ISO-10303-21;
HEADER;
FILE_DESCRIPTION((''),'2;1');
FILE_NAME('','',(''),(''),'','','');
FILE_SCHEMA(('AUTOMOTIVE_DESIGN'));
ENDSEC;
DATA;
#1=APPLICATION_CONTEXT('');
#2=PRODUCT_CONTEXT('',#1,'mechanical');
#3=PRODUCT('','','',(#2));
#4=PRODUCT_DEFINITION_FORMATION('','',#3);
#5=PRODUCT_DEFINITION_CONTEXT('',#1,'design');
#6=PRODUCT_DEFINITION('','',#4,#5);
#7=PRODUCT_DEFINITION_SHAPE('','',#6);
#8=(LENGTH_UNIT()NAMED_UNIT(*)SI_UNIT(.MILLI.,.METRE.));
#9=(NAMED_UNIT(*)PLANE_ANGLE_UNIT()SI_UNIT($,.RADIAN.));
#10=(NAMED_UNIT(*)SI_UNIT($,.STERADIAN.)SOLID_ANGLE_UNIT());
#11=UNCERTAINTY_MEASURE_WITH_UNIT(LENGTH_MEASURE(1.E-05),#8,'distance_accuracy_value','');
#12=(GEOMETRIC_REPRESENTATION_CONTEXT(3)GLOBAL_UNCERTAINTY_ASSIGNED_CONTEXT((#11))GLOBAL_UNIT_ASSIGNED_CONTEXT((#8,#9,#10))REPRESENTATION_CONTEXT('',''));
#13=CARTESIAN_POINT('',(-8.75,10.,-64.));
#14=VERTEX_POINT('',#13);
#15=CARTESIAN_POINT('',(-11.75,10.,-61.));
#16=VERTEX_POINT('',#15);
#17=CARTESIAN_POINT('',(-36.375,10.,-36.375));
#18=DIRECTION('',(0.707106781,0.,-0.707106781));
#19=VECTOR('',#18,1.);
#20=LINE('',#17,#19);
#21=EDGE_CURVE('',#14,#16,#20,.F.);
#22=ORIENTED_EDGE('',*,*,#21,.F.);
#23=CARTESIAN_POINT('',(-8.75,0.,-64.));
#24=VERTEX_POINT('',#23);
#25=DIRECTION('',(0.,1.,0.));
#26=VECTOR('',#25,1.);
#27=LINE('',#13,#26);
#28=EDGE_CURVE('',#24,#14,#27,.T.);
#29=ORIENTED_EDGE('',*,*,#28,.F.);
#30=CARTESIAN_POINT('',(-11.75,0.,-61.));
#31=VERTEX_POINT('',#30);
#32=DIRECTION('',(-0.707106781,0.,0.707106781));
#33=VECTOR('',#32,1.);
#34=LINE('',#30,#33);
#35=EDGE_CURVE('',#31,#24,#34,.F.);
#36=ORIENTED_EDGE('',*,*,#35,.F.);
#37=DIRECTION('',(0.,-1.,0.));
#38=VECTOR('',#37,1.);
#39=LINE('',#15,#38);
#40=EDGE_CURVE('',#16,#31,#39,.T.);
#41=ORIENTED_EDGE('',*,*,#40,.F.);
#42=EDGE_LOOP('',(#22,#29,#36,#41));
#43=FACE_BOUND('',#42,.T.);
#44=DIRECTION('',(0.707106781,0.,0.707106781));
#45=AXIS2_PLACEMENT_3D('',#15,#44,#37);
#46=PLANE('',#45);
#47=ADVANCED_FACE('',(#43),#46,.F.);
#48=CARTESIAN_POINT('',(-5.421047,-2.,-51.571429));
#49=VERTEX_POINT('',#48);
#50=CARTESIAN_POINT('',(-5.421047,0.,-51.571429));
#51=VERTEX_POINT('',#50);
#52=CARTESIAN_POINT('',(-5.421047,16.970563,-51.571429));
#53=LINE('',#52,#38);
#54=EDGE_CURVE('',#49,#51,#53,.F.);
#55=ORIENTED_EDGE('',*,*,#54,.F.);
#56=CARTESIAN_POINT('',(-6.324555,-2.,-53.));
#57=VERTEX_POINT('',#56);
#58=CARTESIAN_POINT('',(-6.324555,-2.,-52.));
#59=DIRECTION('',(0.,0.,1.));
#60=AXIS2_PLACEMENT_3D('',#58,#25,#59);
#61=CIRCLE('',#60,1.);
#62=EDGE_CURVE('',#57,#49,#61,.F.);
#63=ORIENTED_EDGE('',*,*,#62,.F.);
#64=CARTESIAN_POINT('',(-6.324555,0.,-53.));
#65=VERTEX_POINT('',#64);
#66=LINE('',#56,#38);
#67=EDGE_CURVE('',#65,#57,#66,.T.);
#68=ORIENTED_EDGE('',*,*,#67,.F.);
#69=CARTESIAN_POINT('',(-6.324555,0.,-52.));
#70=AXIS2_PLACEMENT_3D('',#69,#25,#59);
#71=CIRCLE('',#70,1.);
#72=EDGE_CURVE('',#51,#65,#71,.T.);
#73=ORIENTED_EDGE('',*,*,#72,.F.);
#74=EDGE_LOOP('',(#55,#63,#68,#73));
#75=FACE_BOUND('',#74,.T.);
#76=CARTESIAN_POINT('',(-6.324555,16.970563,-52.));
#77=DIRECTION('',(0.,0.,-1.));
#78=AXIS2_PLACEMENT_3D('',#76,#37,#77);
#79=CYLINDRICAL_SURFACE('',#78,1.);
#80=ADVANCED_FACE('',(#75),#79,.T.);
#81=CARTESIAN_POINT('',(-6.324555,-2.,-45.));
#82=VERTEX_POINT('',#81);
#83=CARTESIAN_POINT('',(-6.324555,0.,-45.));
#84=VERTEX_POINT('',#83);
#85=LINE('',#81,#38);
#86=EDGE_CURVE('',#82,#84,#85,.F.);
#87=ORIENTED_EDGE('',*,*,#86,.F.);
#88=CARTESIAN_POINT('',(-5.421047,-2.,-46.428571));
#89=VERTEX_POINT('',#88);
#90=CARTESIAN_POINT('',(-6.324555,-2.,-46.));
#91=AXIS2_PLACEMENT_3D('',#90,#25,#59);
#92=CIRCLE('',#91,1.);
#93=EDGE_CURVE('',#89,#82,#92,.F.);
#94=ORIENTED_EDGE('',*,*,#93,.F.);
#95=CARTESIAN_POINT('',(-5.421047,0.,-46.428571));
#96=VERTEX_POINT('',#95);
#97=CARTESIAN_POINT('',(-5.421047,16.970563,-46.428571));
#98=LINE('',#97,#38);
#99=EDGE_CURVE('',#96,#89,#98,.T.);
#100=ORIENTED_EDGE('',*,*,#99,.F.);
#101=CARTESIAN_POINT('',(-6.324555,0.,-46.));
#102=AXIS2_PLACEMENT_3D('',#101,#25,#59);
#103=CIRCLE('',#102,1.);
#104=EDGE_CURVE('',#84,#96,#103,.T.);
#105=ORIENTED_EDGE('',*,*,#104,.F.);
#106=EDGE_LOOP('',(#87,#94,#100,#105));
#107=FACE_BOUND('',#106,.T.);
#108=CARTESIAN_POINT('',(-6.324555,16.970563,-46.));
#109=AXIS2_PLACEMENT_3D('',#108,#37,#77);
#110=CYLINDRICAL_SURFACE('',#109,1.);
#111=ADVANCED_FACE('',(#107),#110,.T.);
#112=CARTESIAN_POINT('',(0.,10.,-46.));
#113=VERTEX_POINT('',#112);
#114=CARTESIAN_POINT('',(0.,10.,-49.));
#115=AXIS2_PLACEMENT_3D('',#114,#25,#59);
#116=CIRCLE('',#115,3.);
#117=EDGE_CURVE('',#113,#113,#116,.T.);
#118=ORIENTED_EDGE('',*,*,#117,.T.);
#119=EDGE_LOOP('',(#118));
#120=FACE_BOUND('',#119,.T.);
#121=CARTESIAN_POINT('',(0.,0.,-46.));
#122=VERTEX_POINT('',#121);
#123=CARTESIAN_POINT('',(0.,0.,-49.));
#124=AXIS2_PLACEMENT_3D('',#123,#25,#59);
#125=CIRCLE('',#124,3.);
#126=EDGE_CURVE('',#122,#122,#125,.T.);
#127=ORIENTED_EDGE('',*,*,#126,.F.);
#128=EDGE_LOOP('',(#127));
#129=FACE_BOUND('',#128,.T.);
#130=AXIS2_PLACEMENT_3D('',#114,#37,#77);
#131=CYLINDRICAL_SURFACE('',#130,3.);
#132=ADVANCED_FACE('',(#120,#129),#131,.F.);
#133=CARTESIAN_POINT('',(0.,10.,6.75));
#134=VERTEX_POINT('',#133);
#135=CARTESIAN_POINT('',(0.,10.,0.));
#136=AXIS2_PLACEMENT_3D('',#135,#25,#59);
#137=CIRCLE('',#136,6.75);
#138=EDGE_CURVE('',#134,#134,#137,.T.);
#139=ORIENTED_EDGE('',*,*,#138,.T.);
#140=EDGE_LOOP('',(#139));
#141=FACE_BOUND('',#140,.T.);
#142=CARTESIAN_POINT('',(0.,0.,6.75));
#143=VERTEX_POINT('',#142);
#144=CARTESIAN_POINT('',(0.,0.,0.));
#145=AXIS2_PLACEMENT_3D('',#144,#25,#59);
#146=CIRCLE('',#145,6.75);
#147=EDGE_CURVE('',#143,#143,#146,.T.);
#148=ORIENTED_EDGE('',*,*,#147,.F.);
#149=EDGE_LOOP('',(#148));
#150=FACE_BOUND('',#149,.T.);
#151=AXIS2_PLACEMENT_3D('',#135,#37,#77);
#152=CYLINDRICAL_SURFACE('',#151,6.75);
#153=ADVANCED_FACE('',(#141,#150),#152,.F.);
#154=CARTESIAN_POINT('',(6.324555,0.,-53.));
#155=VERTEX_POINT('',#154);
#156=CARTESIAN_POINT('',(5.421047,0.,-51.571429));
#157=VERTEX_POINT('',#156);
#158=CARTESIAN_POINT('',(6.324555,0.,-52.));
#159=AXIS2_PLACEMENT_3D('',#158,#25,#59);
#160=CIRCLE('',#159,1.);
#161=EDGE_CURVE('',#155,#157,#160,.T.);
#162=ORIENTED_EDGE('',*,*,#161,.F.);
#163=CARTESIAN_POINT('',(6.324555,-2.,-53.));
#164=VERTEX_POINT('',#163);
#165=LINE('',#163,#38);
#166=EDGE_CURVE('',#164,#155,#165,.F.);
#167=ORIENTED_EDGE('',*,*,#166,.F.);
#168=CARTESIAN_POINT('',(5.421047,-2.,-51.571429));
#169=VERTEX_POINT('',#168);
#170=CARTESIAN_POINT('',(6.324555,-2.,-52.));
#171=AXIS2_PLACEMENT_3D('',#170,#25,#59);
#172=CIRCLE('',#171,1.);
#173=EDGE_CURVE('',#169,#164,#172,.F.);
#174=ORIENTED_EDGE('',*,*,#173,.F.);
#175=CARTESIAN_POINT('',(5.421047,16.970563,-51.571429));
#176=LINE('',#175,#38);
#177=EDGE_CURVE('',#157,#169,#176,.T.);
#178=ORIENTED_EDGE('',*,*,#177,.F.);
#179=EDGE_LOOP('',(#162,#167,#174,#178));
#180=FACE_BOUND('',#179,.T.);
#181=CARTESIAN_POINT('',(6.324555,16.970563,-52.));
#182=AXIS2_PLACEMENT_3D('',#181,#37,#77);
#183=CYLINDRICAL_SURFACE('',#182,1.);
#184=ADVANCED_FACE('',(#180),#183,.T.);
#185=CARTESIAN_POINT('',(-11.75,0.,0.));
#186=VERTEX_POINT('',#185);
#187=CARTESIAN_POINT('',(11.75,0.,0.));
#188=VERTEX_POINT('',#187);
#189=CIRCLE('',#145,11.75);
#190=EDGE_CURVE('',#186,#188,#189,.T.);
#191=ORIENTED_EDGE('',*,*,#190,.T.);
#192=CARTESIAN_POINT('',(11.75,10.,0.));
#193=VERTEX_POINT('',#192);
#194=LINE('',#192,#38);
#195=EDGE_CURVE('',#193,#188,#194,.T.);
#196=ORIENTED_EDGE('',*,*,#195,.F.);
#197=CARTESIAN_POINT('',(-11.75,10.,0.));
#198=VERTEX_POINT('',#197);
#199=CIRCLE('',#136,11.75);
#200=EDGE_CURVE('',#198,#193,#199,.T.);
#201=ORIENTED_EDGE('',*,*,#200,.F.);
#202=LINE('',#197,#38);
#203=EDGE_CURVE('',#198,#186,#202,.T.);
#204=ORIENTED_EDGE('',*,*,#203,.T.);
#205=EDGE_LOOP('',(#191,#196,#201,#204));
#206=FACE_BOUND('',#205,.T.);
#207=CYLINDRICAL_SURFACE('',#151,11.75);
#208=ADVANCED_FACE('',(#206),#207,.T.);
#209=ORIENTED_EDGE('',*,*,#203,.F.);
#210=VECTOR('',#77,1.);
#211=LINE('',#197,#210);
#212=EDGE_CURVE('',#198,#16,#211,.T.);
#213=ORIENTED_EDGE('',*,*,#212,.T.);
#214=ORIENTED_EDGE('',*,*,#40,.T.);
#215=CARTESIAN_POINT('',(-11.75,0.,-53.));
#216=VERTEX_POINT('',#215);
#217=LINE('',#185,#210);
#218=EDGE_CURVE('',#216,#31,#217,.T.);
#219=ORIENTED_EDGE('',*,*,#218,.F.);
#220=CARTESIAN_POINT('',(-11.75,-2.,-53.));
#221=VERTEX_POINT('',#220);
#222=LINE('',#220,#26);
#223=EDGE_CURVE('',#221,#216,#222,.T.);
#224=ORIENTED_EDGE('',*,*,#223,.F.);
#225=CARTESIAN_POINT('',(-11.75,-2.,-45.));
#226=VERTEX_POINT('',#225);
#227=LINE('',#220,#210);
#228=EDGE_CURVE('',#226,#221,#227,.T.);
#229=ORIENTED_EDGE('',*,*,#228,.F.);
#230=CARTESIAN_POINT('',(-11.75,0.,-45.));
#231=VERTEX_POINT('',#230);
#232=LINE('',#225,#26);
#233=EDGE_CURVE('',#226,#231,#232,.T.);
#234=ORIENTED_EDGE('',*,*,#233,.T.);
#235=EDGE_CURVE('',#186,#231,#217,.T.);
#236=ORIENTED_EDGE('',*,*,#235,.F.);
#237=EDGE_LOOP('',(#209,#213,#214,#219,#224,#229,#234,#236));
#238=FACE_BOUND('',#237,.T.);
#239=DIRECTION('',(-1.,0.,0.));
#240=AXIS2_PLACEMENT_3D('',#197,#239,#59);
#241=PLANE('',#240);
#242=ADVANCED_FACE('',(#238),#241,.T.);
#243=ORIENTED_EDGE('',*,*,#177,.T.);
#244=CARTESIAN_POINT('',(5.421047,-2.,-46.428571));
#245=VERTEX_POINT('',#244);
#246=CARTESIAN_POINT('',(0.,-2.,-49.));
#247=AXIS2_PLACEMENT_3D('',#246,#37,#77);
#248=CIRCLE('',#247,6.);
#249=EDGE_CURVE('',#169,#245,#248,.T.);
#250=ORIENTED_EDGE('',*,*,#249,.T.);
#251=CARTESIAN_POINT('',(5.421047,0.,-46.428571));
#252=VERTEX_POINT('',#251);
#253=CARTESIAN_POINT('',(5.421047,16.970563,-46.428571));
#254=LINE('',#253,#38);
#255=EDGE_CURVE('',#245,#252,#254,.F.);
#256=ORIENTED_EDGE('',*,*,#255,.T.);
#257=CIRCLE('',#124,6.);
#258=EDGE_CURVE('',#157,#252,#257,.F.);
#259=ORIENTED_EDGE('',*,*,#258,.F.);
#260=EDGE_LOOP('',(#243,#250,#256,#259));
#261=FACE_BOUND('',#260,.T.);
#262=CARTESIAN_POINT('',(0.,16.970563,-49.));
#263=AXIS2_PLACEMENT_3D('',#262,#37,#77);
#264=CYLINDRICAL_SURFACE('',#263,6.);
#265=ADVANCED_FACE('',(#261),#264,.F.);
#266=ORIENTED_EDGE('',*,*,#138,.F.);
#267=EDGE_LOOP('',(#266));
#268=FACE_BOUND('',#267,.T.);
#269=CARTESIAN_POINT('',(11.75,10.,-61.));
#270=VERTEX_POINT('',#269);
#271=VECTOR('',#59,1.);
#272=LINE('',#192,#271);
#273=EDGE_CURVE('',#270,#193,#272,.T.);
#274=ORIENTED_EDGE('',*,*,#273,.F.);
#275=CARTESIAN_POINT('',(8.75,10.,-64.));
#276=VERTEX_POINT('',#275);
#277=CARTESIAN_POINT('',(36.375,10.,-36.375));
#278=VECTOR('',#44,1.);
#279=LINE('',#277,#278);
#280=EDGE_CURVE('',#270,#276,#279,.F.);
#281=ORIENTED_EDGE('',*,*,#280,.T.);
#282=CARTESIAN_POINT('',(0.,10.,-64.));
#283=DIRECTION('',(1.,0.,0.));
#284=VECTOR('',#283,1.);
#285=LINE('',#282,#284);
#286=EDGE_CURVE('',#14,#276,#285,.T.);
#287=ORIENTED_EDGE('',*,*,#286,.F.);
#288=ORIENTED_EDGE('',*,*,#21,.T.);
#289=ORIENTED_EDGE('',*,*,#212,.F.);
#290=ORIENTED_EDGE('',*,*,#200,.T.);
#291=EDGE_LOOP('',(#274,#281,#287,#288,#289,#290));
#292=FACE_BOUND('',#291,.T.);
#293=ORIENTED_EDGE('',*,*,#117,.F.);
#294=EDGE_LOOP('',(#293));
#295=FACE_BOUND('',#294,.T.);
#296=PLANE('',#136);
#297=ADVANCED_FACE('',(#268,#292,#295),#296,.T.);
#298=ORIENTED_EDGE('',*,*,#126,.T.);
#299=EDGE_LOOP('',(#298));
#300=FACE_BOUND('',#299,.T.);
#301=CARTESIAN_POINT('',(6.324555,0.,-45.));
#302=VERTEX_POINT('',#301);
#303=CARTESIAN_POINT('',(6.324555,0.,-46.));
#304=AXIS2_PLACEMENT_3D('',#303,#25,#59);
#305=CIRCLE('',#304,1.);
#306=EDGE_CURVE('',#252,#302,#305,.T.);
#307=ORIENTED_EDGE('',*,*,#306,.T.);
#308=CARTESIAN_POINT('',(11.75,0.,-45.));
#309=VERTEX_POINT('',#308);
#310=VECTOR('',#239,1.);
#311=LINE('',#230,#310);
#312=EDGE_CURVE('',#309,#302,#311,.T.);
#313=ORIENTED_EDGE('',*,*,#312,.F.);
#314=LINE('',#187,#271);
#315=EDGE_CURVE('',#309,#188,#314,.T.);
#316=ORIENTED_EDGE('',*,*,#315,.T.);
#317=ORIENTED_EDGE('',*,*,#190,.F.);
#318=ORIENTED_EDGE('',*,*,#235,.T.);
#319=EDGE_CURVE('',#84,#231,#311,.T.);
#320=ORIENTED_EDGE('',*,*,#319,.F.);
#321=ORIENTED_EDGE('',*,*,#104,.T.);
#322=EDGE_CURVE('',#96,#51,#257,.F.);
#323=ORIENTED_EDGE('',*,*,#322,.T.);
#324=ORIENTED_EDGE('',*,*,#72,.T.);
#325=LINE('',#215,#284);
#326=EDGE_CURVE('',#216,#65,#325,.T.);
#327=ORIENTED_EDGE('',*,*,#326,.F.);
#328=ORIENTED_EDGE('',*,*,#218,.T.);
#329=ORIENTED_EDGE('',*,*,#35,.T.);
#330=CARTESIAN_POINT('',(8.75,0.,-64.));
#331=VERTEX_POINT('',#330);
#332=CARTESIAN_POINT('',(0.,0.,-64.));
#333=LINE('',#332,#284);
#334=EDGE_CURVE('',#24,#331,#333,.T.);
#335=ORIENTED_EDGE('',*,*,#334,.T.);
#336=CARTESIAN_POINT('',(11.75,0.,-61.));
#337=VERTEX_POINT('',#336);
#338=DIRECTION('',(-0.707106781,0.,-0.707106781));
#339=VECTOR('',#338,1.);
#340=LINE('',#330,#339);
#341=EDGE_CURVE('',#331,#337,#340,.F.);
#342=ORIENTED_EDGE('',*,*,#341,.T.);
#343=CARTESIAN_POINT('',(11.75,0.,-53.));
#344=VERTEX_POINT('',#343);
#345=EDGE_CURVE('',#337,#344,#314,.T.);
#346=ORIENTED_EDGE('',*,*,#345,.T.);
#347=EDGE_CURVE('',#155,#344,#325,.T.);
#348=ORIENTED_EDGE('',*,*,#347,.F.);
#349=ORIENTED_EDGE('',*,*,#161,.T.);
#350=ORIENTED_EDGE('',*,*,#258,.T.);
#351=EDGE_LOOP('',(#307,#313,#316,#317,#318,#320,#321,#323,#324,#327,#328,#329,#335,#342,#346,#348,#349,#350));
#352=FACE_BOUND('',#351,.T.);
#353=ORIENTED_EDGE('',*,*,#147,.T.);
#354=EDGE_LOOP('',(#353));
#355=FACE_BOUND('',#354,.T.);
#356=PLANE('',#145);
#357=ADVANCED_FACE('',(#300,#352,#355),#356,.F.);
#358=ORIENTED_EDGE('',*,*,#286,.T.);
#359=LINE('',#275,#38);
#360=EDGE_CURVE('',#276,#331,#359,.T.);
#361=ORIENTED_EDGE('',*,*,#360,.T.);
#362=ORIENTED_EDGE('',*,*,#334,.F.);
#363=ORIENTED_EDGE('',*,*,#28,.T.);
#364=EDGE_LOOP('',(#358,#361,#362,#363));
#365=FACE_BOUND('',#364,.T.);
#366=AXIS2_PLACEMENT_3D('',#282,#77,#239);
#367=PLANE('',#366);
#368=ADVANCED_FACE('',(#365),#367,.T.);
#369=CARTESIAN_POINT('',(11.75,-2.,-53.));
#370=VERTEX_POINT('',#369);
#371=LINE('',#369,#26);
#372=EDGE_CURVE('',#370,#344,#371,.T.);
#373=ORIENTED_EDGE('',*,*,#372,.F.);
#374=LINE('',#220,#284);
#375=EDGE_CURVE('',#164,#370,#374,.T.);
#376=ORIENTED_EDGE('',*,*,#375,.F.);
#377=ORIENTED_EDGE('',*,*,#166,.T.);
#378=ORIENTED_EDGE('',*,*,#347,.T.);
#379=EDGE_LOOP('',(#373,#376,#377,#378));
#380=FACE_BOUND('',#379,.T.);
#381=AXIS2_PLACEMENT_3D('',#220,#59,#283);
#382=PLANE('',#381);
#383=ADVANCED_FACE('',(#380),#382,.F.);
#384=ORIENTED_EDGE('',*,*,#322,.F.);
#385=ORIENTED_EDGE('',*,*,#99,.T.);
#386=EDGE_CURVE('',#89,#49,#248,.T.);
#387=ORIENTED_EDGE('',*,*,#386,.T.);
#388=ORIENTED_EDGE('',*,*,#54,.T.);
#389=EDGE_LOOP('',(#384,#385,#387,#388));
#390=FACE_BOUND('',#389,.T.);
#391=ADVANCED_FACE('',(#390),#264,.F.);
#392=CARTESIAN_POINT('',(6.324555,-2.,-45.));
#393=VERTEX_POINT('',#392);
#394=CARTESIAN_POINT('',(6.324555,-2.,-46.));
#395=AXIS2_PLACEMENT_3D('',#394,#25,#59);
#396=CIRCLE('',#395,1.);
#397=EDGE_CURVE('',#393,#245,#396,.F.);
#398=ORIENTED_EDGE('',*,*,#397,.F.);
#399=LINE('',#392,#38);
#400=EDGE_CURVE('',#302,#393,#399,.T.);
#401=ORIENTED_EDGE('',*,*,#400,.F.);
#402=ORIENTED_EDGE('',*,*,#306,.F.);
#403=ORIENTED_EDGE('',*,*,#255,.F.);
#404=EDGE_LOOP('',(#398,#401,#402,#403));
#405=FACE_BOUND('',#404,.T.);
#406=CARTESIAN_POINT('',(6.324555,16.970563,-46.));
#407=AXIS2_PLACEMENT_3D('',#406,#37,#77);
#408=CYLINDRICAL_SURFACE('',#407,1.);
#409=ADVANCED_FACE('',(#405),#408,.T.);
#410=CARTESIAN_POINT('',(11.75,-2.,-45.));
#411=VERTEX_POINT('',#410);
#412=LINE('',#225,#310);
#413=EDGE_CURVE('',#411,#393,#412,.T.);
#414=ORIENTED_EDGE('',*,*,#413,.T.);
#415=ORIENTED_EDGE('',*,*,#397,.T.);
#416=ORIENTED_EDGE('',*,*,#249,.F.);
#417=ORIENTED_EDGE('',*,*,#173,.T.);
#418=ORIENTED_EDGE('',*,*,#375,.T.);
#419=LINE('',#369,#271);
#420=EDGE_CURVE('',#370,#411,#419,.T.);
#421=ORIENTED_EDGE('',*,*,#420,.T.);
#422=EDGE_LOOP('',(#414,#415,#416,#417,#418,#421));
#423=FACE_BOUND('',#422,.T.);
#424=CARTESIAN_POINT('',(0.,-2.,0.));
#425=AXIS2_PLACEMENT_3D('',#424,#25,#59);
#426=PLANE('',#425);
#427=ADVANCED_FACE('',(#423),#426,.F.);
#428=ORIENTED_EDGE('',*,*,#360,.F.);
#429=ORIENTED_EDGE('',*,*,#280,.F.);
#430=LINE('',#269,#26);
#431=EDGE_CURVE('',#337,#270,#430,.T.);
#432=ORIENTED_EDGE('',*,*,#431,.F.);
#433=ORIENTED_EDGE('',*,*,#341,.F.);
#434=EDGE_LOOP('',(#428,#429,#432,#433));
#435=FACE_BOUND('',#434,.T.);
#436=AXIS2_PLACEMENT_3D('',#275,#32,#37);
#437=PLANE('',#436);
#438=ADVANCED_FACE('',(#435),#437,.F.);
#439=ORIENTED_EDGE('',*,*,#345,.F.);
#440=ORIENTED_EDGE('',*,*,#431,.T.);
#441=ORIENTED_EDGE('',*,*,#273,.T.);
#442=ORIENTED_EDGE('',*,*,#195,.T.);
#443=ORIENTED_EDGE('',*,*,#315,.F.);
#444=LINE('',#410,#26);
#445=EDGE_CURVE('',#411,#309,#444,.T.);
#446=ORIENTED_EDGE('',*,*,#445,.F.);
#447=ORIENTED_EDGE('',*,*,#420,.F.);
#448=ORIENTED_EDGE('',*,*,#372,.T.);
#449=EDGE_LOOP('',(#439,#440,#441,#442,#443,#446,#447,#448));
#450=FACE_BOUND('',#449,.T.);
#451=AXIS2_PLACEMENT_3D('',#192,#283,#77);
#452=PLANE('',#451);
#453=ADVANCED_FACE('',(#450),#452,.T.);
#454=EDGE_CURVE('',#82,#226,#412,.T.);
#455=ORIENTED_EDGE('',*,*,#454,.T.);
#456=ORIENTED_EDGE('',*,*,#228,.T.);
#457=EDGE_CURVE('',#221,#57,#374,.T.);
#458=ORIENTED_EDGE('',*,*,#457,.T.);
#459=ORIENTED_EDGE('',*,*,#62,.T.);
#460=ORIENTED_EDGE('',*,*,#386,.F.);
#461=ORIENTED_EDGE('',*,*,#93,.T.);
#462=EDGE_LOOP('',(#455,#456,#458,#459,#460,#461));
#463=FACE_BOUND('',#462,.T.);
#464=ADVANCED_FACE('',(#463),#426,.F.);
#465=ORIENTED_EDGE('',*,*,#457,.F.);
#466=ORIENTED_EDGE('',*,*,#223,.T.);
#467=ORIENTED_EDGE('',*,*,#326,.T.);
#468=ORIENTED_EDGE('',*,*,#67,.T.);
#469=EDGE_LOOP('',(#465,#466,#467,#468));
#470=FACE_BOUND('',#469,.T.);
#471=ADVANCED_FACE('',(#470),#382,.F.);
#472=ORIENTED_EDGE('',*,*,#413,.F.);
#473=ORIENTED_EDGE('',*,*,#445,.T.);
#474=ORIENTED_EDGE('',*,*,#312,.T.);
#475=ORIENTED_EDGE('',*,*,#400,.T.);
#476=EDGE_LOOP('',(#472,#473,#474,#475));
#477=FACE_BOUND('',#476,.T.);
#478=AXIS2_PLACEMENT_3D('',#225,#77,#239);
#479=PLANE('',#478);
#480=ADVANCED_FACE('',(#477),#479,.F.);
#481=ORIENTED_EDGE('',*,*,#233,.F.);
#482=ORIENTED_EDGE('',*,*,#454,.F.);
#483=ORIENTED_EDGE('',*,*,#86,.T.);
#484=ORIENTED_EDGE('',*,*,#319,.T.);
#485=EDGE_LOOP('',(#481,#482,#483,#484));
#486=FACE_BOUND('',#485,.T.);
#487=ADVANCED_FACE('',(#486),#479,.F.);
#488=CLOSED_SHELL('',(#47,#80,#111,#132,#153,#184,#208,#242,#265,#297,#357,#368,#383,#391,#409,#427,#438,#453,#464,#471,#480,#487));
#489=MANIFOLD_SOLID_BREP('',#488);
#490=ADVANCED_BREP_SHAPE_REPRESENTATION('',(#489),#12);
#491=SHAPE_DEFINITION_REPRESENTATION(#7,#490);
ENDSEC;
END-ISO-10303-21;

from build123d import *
from build123d.topology import SkipClean

# Parameters (mm, degrees)
SKETCH1_R           = 3
SKETCH1_R_2         = 6.75
BOSS_EXTRUDE1_DEPTH = 10
BOSS_EXTRUDE2_START = 2
SKETCH2_W           = 23.5
SKETCH2_H           = 8
SKETCH2_R           = 3
BOSS_EXTRUDE2_DEPTH = 2
CHAMFER1_SIZE       = 3
SKETCH3_R           = 6
CUT_EXTRUDE1_DEPTH  = 2
FILLET1_R           = 1


with BuildPart() as part:
    # Sketch1 → Boss-Extrude1 (new body)
    with BuildSketch(Plane(origin=(0, 0, 0), x_dir=(1, 0, 0), z_dir=(0, 1, 0))):
        with BuildLine():
            Line((-11.75, 64), (-11.75, 0))
            ThreePointArc((-11.75, 0), (0, -11.75), (11.75, 0))
            Line((11.75, 0), (11.75, 64))
            Line((11.75, 64), (-11.75, 64))
        make_face()
        with Locations(Location((0, 49, 0), (0, 0, 270))):
            Circle(SKETCH1_R, mode=Mode.SUBTRACT)
        with Locations(Location((0, 0, 0), (0, 0, 270))):
            Circle(SKETCH1_R_2, mode=Mode.SUBTRACT)
    extrude(amount=BOSS_EXTRUDE1_DEPTH)

    # Sketch2 → Boss-Extrude2 (add)
    with SkipClean():  # the faces are left unmerged after this step: merging them gives an invalid solid
        with BuildSketch(Plane.XZ.offset(BOSS_EXTRUDE2_START)):
            with Locations((0, -49)):
                Rectangle(SKETCH2_W, SKETCH2_H)
            with Locations(Location((0, -49, 0), (0, 0, 270))):
                Circle(SKETCH2_R, mode=Mode.SUBTRACT)
        extrude(amount=-BOSS_EXTRUDE2_DEPTH)

    # Chamfer1
    chamfer1_edges = [part.edges().sort_by_distance(p)[0] for p in [
        (-11.75, 5, -64),
        (11.75, 5, -64),
    ]]
    chamfer(chamfer1_edges, length=CHAMFER1_SIZE)

    # Sketch3 → Cut-Extrude1 (cut)
    with BuildSketch(Plane.XZ.offset(2)):
        with Locations((0, -49)):
            Circle(SKETCH3_R)
    extrude(amount=-CUT_EXTRUDE1_DEPTH, mode=Mode.SUBTRACT)

    # Fillet1
    fillet1_edges = [part.edges().sort_by_distance(p)[0] for p in [
        (4.472135955, -1, -53),
        (-4.472135955, -1, -53),
        (4.472135955, -1, -45),
        (-4.472135955, -1, -45),
    ]]
    fillet(fillet1_edges, radius=FILLET1_R)


solid = part.part
